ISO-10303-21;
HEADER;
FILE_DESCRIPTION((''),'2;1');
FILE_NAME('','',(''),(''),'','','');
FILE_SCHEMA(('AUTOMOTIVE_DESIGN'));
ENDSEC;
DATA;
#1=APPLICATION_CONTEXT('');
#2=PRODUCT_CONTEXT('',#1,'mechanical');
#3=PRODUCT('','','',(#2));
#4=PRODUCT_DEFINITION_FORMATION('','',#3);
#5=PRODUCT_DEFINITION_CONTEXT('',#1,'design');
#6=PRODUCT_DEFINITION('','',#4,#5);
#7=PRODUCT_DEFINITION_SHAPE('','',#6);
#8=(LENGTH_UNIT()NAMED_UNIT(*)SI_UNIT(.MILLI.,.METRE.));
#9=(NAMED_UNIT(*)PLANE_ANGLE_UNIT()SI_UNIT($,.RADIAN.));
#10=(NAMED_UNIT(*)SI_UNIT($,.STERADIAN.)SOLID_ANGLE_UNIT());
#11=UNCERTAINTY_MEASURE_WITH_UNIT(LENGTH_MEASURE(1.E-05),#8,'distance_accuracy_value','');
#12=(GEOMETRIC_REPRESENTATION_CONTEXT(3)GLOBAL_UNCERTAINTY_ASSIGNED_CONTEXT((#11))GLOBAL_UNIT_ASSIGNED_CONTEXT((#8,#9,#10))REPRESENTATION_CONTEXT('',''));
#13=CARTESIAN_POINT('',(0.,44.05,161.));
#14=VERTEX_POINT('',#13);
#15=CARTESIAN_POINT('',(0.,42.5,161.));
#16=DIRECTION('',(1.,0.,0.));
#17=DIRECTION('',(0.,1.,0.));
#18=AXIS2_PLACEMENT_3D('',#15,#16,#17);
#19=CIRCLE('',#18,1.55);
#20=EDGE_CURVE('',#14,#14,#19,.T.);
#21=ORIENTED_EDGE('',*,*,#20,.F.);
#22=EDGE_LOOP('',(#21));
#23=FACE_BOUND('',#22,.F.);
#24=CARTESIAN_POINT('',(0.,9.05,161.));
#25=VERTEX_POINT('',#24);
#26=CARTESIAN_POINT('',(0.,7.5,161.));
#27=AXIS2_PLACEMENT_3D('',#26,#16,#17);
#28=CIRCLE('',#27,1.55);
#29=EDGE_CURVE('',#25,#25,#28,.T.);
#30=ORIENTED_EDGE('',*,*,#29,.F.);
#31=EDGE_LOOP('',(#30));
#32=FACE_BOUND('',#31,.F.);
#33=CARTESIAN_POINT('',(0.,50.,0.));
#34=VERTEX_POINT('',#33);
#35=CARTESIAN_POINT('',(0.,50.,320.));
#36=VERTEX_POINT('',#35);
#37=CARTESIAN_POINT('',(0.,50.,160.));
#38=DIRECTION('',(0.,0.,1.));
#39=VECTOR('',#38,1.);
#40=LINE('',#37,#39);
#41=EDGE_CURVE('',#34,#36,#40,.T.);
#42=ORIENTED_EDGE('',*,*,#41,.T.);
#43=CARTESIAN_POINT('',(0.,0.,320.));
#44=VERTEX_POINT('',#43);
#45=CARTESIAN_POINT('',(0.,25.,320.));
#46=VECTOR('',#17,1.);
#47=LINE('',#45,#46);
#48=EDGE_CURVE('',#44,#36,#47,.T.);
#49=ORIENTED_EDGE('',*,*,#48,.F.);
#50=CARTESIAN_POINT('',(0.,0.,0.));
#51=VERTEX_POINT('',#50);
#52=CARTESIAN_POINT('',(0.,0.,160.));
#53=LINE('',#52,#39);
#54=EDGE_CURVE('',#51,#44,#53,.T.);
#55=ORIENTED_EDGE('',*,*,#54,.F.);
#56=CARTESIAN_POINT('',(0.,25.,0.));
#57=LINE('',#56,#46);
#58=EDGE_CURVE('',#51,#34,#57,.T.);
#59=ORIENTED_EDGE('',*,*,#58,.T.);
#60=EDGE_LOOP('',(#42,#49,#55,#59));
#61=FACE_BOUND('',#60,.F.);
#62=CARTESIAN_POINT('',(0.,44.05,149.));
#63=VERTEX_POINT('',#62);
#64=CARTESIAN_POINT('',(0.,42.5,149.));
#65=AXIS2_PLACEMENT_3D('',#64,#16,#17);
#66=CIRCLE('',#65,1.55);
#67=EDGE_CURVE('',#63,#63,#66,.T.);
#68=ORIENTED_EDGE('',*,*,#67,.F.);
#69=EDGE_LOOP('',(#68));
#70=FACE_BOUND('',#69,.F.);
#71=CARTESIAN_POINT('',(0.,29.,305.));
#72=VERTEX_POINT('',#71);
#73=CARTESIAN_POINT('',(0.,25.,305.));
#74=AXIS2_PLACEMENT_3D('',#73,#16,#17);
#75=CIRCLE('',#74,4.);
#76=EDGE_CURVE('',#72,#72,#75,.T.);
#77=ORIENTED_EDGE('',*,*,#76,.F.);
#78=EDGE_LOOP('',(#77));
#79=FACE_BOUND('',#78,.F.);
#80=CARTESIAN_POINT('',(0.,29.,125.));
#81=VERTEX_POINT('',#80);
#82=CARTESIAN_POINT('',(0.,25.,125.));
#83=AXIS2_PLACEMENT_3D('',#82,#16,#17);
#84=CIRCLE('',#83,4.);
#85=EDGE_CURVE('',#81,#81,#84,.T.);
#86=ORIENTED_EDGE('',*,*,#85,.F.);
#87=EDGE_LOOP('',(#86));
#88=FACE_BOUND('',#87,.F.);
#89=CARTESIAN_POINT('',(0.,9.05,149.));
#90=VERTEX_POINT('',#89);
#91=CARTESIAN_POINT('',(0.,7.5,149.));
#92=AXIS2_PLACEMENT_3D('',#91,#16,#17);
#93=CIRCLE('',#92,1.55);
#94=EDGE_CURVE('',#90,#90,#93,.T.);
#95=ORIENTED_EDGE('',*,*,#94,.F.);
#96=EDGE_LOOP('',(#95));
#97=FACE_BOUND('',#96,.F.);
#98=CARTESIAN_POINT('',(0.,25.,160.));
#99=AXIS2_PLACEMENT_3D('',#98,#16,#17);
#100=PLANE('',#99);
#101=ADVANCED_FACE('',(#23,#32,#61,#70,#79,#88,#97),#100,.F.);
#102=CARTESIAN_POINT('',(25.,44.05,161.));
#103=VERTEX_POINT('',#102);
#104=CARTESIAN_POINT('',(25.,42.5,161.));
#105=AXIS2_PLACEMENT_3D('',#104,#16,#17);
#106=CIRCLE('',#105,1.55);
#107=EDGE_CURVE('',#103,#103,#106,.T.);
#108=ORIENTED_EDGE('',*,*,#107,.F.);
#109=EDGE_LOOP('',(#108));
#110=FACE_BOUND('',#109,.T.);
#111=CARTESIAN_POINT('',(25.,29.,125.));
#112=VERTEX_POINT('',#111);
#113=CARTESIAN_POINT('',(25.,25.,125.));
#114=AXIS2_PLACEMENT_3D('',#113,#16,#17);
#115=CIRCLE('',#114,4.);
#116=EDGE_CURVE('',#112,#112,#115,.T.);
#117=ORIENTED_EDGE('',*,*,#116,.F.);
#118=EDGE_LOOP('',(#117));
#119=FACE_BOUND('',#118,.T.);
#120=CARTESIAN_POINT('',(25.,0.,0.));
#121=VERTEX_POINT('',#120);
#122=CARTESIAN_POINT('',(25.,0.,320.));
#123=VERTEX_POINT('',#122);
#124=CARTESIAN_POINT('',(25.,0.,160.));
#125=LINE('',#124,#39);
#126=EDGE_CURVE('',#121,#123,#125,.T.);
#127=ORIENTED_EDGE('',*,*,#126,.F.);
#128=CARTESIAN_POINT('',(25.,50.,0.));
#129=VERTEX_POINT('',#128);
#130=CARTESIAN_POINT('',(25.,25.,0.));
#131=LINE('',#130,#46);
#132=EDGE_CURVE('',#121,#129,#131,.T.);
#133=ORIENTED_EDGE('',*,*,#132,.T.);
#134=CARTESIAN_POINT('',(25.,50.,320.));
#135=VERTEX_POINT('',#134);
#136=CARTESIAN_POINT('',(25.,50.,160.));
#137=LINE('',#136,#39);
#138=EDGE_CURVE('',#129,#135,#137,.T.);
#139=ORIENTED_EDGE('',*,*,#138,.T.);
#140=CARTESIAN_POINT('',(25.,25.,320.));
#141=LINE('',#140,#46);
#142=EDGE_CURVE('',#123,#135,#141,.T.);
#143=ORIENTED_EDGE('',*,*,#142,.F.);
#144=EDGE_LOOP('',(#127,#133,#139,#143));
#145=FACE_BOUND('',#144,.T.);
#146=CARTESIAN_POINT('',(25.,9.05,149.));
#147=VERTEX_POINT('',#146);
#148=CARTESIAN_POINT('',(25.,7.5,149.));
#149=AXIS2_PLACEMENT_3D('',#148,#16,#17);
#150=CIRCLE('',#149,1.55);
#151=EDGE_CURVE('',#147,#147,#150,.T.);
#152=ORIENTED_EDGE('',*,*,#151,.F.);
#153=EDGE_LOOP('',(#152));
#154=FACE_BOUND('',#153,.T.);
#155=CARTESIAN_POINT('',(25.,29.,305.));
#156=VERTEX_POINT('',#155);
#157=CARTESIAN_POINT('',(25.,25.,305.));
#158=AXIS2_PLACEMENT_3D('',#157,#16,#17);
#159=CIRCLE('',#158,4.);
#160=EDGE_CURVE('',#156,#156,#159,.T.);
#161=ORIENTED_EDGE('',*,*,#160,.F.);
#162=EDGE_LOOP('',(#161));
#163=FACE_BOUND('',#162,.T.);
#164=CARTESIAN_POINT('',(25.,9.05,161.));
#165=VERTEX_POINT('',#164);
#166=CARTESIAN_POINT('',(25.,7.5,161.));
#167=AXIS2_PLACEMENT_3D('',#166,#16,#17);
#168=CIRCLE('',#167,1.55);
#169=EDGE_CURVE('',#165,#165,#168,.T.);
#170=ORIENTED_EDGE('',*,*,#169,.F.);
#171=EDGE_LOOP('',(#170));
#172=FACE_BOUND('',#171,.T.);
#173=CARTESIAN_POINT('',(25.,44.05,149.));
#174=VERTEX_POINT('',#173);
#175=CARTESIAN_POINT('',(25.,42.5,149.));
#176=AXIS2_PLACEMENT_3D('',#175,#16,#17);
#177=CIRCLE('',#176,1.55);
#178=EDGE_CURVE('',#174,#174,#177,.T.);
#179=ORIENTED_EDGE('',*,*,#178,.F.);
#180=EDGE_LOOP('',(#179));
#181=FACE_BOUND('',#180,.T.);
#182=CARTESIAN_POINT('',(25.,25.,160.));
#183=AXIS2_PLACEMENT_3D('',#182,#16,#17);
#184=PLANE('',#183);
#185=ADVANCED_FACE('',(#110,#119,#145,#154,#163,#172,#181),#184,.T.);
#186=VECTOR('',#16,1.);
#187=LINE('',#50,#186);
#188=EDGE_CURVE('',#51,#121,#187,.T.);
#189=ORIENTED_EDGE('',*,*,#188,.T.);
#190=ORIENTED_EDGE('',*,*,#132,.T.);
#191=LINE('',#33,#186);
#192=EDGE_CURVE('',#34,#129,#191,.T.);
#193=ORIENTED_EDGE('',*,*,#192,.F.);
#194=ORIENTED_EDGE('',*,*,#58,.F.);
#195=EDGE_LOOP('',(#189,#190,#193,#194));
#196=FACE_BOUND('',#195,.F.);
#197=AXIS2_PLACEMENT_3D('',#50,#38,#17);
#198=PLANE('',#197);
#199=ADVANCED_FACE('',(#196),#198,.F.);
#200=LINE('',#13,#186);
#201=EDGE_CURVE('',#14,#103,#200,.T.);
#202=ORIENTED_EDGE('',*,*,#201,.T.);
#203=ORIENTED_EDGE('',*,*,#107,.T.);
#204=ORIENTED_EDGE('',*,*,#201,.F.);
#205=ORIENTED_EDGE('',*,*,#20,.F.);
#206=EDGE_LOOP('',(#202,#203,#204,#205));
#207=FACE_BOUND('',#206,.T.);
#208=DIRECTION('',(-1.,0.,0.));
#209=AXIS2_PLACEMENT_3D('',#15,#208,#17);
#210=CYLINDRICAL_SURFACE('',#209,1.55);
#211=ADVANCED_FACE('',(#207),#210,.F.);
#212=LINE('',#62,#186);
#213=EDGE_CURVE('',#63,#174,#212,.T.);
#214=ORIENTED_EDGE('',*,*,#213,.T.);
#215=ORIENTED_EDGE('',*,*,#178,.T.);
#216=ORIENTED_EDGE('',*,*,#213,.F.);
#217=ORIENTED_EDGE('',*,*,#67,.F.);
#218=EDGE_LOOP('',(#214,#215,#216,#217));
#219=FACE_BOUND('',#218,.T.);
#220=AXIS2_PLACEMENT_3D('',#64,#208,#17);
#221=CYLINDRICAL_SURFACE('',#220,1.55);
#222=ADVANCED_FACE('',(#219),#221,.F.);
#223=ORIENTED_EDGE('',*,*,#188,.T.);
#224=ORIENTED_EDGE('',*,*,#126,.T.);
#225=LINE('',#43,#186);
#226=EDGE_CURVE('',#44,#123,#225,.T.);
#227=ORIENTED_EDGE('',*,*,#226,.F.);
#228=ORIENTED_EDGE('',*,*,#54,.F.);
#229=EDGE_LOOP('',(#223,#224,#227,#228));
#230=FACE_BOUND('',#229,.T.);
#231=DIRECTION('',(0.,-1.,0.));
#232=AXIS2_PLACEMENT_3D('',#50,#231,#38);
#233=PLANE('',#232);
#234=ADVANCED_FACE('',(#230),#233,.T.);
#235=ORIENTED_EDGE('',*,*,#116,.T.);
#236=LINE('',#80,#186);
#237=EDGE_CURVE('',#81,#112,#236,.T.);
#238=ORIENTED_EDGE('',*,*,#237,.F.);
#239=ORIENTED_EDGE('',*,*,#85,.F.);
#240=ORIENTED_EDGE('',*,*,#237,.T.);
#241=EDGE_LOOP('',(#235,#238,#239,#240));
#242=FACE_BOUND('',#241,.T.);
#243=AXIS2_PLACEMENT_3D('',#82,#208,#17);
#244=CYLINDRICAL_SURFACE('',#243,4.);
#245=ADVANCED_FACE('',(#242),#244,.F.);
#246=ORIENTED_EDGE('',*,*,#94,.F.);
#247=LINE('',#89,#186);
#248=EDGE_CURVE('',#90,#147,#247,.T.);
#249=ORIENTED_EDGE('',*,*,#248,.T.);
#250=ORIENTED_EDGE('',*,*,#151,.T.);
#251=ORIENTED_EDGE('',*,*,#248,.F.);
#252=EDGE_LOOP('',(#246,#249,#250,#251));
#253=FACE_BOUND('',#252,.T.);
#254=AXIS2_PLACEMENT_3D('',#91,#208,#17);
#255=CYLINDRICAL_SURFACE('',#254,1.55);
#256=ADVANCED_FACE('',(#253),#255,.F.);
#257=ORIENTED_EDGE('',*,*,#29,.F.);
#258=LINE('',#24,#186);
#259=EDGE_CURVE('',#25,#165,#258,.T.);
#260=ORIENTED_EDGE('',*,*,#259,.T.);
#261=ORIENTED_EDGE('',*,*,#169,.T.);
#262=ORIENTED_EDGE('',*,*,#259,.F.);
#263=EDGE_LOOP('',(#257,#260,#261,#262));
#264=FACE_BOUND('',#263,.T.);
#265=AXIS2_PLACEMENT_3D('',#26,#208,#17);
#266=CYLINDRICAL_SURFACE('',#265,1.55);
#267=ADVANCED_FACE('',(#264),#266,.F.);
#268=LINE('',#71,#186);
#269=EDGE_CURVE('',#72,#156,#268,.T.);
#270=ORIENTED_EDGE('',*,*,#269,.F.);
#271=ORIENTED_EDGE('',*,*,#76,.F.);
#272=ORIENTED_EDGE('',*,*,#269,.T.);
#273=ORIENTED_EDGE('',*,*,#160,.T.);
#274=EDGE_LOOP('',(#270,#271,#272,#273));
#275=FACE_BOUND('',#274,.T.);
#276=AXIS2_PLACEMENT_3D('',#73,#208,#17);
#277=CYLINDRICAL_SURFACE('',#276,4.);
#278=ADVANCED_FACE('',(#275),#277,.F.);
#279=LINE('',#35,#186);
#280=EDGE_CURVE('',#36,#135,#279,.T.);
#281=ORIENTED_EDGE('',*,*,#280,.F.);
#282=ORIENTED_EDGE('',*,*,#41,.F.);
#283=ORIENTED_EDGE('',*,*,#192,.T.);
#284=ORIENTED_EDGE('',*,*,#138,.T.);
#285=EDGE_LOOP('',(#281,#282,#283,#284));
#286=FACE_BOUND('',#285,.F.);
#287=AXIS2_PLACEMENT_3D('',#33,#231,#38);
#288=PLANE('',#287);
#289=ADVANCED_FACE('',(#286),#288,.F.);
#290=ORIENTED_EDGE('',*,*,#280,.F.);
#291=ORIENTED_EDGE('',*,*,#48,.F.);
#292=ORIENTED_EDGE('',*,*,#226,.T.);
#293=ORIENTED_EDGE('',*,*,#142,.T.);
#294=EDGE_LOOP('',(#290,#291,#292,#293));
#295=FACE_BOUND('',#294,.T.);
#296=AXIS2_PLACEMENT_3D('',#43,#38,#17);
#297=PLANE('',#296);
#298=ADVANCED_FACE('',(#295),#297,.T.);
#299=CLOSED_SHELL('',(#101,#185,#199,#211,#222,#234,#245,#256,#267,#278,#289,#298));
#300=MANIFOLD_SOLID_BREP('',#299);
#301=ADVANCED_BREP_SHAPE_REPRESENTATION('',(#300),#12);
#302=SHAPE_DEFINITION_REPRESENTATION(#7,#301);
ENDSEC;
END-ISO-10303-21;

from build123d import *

# Parameters (mm, degrees)
F0_W     = 50
F0_H     = 320
F0_R     = 1.55
F0_R_2   = 4
F1_DEPTH = 25


with BuildPart() as f1:
    # F0 (on Right) → F1 (new body)
    with BuildSketch(Plane.YZ):
        with Locations((25, 160)):
            Rectangle(F0_W, F0_H)
        with Locations((7.5, 149)):
            Circle(F0_R, mode=Mode.SUBTRACT)
        with Locations((25, 125)):
            Circle(F0_R_2, mode=Mode.SUBTRACT)
        with Locations((42.5, 149)):
            Circle(F0_R, mode=Mode.SUBTRACT)
        with Locations((7.5, 161)):
            Circle(F0_R, mode=Mode.SUBTRACT)
        with Locations((42.5, 161)):
            Circle(F0_R, mode=Mode.SUBTRACT)
        with Locations((25, 305)):
            Circle(F0_R_2, mode=Mode.SUBTRACT)
    extrude(amount=F1_DEPTH)


solid = f1.part
